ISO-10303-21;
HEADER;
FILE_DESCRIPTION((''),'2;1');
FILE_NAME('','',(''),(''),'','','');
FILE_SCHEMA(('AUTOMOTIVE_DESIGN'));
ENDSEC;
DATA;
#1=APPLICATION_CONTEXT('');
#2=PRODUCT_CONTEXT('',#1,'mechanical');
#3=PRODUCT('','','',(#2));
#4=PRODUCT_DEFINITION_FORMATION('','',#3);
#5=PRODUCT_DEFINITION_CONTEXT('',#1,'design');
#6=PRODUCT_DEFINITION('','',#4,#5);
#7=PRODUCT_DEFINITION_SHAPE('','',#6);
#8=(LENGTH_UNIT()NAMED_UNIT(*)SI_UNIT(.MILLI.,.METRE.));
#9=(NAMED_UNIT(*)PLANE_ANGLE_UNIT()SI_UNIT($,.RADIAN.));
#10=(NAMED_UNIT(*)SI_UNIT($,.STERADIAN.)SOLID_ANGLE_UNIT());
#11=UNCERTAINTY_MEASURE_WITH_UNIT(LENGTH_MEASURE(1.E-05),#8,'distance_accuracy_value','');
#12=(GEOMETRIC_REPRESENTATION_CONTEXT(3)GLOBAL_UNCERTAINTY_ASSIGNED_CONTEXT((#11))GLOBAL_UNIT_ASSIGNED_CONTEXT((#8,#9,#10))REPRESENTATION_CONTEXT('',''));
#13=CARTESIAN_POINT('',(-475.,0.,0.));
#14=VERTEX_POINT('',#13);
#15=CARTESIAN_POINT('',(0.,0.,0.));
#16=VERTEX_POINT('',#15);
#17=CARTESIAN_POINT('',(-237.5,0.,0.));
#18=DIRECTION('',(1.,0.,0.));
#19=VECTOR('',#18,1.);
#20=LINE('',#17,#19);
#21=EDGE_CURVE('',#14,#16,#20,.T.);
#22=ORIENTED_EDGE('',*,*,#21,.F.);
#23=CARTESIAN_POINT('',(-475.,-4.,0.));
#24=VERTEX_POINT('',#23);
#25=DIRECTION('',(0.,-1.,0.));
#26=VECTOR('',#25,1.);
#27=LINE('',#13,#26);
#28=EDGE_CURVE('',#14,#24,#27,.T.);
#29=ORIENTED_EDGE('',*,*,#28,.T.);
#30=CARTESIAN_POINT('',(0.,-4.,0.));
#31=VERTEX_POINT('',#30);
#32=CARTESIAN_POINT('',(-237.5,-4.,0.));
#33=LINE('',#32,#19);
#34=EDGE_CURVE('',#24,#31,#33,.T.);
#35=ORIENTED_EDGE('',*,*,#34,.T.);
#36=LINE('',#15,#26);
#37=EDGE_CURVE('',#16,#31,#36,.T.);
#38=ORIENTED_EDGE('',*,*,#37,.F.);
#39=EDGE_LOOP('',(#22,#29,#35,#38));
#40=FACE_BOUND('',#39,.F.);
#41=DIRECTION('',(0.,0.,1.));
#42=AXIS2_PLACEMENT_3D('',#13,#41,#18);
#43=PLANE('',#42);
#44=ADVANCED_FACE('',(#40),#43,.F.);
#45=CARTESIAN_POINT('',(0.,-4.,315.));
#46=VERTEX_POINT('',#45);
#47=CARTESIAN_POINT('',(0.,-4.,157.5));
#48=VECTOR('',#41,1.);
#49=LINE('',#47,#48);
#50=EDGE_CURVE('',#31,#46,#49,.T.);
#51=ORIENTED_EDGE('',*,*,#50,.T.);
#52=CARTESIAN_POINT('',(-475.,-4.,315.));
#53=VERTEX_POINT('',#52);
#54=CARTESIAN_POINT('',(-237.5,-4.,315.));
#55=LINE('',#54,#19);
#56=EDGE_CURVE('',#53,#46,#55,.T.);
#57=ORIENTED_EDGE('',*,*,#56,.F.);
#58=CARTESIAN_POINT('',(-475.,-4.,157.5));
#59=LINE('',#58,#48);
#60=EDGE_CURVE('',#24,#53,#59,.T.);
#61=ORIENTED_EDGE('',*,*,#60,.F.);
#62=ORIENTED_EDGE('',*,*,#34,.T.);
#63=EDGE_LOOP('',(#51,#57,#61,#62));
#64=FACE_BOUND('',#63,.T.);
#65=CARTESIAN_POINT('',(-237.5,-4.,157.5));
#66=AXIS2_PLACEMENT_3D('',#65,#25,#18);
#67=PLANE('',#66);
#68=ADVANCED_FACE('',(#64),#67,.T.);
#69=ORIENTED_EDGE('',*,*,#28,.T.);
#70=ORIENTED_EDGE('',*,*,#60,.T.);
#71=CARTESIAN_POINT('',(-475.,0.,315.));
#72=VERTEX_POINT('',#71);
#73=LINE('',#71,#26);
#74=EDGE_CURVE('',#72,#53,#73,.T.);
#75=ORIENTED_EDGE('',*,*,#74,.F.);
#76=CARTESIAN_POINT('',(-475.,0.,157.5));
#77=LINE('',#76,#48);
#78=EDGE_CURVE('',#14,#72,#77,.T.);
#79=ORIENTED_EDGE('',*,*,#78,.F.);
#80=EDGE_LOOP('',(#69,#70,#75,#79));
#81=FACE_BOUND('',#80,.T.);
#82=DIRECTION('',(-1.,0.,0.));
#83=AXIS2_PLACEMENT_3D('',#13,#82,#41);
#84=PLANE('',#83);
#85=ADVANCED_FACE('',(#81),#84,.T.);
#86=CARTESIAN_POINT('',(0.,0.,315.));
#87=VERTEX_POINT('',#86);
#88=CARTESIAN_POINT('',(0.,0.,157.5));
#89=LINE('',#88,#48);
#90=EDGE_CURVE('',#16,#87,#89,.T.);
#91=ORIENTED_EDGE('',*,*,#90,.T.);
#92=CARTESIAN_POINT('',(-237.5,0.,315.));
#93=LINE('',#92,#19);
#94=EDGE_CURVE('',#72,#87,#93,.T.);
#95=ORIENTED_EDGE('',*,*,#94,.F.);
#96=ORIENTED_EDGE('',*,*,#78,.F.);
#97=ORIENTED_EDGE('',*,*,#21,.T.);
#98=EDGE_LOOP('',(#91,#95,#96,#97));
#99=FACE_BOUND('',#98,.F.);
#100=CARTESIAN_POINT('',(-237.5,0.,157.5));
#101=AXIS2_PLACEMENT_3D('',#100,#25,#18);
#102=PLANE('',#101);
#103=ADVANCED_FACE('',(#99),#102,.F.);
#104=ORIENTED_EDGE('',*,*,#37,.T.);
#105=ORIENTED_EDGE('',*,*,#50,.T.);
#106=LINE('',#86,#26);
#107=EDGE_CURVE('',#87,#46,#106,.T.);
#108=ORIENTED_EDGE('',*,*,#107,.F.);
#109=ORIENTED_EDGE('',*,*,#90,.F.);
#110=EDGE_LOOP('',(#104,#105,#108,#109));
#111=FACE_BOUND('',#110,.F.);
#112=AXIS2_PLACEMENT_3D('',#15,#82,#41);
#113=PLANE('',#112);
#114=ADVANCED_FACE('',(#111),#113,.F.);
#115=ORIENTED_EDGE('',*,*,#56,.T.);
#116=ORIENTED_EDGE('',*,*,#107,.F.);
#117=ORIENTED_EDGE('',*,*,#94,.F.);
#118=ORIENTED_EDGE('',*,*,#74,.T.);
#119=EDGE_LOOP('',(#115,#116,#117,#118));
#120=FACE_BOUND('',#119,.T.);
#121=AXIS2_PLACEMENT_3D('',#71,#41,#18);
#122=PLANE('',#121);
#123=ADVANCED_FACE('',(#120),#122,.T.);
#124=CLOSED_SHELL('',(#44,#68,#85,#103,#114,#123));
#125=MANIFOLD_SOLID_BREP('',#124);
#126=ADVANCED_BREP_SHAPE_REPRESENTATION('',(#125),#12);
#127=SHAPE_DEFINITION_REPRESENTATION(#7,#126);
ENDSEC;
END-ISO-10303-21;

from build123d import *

# Parameters (mm, degrees)
SKETCH_W  = 475
SKETCH_H  = 315
PAD_DEPTH = 4


with BuildPart() as part:
    # Sketch → Pad (new body)
    with BuildSketch(Plane.XZ):
        with Locations((-237.5, 157.5)):
            Rectangle(SKETCH_W, SKETCH_H)
    extrude(amount=PAD_DEPTH)


solid = part.part
